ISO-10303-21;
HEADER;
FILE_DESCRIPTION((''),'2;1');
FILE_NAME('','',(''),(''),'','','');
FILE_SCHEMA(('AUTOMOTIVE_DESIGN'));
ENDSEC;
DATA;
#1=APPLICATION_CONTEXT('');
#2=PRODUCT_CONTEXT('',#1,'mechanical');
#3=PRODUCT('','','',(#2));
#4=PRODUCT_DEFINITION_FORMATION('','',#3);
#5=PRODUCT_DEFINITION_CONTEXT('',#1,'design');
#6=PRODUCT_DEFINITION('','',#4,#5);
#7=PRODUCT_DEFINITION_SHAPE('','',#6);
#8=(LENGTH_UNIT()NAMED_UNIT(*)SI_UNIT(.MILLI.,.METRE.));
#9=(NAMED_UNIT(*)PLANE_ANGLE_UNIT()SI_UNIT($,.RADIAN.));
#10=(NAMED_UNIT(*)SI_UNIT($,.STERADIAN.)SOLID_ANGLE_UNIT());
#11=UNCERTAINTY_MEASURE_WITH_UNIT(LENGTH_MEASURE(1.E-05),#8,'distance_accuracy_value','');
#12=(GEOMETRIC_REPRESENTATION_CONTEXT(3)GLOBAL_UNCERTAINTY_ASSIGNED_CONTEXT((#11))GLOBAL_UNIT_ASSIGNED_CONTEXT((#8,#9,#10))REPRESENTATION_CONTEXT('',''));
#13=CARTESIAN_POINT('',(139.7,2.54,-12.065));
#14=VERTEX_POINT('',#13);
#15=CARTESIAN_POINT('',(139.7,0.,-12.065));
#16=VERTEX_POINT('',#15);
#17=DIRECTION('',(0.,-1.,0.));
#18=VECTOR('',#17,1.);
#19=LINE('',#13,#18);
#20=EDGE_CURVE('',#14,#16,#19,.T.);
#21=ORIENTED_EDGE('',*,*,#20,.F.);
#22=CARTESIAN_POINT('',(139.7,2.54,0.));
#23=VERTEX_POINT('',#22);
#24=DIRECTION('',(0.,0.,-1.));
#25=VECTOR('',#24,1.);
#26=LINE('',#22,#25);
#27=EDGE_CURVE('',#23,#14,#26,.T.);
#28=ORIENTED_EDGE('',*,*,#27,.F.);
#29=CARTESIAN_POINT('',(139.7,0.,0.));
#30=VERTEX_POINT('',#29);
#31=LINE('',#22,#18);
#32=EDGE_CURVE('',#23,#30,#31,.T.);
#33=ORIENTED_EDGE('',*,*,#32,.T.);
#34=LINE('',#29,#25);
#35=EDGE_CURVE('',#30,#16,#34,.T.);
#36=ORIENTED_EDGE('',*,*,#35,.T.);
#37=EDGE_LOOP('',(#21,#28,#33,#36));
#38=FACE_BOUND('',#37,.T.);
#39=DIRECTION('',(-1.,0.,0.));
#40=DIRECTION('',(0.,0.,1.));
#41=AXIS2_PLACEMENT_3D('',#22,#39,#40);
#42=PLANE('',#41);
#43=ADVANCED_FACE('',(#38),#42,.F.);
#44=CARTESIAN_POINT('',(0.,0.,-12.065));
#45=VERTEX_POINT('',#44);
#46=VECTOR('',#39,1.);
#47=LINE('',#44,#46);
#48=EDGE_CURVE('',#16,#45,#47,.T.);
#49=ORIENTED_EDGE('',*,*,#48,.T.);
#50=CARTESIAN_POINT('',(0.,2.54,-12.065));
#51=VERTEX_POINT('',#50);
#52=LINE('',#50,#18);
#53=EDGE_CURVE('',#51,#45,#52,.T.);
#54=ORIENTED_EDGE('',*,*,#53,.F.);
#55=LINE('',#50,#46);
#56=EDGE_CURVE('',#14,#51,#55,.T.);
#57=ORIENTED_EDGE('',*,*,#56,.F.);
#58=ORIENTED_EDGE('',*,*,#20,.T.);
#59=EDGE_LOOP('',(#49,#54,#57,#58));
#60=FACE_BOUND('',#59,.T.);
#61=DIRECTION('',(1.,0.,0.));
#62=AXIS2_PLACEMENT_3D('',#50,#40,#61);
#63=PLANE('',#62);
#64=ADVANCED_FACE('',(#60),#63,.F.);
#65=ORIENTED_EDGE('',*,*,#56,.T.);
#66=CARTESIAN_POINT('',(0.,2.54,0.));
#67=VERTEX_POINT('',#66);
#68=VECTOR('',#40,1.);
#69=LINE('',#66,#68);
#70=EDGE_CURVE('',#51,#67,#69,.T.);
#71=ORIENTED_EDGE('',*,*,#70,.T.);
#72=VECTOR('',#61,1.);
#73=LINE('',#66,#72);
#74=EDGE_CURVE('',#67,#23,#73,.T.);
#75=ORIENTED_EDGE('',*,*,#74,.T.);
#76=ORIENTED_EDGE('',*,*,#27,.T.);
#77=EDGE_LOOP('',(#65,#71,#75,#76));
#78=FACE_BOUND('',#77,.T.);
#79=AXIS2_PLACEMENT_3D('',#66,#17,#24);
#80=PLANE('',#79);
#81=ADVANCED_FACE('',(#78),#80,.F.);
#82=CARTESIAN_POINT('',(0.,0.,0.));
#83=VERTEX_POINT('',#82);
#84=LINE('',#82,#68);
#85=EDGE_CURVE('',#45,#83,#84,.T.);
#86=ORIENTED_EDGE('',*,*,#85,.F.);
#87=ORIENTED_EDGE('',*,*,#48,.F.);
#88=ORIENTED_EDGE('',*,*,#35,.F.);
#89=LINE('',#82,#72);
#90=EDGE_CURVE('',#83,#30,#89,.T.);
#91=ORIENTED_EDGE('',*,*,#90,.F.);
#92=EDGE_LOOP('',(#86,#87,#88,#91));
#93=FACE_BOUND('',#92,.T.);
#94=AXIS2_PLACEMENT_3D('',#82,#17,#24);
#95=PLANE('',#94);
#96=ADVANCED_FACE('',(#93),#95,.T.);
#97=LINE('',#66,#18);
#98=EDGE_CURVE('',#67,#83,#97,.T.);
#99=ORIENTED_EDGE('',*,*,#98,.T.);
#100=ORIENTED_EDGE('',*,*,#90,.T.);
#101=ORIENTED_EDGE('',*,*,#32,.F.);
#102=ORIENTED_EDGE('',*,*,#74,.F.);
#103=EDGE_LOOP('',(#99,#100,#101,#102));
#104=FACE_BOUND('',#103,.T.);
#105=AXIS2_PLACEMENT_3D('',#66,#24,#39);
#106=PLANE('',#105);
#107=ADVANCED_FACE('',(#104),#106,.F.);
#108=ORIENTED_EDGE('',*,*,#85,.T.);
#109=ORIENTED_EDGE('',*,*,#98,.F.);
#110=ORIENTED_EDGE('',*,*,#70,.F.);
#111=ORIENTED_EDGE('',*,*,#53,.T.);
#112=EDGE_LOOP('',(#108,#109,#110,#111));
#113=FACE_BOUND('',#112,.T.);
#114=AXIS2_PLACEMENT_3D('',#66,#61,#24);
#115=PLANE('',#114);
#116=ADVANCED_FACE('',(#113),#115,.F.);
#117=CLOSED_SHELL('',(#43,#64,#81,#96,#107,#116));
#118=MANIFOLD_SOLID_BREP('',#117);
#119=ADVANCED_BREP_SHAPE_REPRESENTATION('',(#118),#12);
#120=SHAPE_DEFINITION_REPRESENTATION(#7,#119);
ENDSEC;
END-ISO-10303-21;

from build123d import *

# Parameters (mm, degrees)
SKETCH1_W           = 139.7
SKETCH1_H           = 12.065
BOSS_EXTRUDE1_DEPTH = 2.54


with BuildPart() as part:
    # Sketch1 → Boss-Extrude1 (new body)
    with BuildSketch(Plane(origin=(0, 0, 0), x_dir=(1, 0, 0), z_dir=(0, 1, 0))):
        with Locations((69.85, 6.0325)):
            Rectangle(SKETCH1_W, SKETCH1_H)
    extrude(amount=BOSS_EXTRUDE1_DEPTH)


solid = part.part
